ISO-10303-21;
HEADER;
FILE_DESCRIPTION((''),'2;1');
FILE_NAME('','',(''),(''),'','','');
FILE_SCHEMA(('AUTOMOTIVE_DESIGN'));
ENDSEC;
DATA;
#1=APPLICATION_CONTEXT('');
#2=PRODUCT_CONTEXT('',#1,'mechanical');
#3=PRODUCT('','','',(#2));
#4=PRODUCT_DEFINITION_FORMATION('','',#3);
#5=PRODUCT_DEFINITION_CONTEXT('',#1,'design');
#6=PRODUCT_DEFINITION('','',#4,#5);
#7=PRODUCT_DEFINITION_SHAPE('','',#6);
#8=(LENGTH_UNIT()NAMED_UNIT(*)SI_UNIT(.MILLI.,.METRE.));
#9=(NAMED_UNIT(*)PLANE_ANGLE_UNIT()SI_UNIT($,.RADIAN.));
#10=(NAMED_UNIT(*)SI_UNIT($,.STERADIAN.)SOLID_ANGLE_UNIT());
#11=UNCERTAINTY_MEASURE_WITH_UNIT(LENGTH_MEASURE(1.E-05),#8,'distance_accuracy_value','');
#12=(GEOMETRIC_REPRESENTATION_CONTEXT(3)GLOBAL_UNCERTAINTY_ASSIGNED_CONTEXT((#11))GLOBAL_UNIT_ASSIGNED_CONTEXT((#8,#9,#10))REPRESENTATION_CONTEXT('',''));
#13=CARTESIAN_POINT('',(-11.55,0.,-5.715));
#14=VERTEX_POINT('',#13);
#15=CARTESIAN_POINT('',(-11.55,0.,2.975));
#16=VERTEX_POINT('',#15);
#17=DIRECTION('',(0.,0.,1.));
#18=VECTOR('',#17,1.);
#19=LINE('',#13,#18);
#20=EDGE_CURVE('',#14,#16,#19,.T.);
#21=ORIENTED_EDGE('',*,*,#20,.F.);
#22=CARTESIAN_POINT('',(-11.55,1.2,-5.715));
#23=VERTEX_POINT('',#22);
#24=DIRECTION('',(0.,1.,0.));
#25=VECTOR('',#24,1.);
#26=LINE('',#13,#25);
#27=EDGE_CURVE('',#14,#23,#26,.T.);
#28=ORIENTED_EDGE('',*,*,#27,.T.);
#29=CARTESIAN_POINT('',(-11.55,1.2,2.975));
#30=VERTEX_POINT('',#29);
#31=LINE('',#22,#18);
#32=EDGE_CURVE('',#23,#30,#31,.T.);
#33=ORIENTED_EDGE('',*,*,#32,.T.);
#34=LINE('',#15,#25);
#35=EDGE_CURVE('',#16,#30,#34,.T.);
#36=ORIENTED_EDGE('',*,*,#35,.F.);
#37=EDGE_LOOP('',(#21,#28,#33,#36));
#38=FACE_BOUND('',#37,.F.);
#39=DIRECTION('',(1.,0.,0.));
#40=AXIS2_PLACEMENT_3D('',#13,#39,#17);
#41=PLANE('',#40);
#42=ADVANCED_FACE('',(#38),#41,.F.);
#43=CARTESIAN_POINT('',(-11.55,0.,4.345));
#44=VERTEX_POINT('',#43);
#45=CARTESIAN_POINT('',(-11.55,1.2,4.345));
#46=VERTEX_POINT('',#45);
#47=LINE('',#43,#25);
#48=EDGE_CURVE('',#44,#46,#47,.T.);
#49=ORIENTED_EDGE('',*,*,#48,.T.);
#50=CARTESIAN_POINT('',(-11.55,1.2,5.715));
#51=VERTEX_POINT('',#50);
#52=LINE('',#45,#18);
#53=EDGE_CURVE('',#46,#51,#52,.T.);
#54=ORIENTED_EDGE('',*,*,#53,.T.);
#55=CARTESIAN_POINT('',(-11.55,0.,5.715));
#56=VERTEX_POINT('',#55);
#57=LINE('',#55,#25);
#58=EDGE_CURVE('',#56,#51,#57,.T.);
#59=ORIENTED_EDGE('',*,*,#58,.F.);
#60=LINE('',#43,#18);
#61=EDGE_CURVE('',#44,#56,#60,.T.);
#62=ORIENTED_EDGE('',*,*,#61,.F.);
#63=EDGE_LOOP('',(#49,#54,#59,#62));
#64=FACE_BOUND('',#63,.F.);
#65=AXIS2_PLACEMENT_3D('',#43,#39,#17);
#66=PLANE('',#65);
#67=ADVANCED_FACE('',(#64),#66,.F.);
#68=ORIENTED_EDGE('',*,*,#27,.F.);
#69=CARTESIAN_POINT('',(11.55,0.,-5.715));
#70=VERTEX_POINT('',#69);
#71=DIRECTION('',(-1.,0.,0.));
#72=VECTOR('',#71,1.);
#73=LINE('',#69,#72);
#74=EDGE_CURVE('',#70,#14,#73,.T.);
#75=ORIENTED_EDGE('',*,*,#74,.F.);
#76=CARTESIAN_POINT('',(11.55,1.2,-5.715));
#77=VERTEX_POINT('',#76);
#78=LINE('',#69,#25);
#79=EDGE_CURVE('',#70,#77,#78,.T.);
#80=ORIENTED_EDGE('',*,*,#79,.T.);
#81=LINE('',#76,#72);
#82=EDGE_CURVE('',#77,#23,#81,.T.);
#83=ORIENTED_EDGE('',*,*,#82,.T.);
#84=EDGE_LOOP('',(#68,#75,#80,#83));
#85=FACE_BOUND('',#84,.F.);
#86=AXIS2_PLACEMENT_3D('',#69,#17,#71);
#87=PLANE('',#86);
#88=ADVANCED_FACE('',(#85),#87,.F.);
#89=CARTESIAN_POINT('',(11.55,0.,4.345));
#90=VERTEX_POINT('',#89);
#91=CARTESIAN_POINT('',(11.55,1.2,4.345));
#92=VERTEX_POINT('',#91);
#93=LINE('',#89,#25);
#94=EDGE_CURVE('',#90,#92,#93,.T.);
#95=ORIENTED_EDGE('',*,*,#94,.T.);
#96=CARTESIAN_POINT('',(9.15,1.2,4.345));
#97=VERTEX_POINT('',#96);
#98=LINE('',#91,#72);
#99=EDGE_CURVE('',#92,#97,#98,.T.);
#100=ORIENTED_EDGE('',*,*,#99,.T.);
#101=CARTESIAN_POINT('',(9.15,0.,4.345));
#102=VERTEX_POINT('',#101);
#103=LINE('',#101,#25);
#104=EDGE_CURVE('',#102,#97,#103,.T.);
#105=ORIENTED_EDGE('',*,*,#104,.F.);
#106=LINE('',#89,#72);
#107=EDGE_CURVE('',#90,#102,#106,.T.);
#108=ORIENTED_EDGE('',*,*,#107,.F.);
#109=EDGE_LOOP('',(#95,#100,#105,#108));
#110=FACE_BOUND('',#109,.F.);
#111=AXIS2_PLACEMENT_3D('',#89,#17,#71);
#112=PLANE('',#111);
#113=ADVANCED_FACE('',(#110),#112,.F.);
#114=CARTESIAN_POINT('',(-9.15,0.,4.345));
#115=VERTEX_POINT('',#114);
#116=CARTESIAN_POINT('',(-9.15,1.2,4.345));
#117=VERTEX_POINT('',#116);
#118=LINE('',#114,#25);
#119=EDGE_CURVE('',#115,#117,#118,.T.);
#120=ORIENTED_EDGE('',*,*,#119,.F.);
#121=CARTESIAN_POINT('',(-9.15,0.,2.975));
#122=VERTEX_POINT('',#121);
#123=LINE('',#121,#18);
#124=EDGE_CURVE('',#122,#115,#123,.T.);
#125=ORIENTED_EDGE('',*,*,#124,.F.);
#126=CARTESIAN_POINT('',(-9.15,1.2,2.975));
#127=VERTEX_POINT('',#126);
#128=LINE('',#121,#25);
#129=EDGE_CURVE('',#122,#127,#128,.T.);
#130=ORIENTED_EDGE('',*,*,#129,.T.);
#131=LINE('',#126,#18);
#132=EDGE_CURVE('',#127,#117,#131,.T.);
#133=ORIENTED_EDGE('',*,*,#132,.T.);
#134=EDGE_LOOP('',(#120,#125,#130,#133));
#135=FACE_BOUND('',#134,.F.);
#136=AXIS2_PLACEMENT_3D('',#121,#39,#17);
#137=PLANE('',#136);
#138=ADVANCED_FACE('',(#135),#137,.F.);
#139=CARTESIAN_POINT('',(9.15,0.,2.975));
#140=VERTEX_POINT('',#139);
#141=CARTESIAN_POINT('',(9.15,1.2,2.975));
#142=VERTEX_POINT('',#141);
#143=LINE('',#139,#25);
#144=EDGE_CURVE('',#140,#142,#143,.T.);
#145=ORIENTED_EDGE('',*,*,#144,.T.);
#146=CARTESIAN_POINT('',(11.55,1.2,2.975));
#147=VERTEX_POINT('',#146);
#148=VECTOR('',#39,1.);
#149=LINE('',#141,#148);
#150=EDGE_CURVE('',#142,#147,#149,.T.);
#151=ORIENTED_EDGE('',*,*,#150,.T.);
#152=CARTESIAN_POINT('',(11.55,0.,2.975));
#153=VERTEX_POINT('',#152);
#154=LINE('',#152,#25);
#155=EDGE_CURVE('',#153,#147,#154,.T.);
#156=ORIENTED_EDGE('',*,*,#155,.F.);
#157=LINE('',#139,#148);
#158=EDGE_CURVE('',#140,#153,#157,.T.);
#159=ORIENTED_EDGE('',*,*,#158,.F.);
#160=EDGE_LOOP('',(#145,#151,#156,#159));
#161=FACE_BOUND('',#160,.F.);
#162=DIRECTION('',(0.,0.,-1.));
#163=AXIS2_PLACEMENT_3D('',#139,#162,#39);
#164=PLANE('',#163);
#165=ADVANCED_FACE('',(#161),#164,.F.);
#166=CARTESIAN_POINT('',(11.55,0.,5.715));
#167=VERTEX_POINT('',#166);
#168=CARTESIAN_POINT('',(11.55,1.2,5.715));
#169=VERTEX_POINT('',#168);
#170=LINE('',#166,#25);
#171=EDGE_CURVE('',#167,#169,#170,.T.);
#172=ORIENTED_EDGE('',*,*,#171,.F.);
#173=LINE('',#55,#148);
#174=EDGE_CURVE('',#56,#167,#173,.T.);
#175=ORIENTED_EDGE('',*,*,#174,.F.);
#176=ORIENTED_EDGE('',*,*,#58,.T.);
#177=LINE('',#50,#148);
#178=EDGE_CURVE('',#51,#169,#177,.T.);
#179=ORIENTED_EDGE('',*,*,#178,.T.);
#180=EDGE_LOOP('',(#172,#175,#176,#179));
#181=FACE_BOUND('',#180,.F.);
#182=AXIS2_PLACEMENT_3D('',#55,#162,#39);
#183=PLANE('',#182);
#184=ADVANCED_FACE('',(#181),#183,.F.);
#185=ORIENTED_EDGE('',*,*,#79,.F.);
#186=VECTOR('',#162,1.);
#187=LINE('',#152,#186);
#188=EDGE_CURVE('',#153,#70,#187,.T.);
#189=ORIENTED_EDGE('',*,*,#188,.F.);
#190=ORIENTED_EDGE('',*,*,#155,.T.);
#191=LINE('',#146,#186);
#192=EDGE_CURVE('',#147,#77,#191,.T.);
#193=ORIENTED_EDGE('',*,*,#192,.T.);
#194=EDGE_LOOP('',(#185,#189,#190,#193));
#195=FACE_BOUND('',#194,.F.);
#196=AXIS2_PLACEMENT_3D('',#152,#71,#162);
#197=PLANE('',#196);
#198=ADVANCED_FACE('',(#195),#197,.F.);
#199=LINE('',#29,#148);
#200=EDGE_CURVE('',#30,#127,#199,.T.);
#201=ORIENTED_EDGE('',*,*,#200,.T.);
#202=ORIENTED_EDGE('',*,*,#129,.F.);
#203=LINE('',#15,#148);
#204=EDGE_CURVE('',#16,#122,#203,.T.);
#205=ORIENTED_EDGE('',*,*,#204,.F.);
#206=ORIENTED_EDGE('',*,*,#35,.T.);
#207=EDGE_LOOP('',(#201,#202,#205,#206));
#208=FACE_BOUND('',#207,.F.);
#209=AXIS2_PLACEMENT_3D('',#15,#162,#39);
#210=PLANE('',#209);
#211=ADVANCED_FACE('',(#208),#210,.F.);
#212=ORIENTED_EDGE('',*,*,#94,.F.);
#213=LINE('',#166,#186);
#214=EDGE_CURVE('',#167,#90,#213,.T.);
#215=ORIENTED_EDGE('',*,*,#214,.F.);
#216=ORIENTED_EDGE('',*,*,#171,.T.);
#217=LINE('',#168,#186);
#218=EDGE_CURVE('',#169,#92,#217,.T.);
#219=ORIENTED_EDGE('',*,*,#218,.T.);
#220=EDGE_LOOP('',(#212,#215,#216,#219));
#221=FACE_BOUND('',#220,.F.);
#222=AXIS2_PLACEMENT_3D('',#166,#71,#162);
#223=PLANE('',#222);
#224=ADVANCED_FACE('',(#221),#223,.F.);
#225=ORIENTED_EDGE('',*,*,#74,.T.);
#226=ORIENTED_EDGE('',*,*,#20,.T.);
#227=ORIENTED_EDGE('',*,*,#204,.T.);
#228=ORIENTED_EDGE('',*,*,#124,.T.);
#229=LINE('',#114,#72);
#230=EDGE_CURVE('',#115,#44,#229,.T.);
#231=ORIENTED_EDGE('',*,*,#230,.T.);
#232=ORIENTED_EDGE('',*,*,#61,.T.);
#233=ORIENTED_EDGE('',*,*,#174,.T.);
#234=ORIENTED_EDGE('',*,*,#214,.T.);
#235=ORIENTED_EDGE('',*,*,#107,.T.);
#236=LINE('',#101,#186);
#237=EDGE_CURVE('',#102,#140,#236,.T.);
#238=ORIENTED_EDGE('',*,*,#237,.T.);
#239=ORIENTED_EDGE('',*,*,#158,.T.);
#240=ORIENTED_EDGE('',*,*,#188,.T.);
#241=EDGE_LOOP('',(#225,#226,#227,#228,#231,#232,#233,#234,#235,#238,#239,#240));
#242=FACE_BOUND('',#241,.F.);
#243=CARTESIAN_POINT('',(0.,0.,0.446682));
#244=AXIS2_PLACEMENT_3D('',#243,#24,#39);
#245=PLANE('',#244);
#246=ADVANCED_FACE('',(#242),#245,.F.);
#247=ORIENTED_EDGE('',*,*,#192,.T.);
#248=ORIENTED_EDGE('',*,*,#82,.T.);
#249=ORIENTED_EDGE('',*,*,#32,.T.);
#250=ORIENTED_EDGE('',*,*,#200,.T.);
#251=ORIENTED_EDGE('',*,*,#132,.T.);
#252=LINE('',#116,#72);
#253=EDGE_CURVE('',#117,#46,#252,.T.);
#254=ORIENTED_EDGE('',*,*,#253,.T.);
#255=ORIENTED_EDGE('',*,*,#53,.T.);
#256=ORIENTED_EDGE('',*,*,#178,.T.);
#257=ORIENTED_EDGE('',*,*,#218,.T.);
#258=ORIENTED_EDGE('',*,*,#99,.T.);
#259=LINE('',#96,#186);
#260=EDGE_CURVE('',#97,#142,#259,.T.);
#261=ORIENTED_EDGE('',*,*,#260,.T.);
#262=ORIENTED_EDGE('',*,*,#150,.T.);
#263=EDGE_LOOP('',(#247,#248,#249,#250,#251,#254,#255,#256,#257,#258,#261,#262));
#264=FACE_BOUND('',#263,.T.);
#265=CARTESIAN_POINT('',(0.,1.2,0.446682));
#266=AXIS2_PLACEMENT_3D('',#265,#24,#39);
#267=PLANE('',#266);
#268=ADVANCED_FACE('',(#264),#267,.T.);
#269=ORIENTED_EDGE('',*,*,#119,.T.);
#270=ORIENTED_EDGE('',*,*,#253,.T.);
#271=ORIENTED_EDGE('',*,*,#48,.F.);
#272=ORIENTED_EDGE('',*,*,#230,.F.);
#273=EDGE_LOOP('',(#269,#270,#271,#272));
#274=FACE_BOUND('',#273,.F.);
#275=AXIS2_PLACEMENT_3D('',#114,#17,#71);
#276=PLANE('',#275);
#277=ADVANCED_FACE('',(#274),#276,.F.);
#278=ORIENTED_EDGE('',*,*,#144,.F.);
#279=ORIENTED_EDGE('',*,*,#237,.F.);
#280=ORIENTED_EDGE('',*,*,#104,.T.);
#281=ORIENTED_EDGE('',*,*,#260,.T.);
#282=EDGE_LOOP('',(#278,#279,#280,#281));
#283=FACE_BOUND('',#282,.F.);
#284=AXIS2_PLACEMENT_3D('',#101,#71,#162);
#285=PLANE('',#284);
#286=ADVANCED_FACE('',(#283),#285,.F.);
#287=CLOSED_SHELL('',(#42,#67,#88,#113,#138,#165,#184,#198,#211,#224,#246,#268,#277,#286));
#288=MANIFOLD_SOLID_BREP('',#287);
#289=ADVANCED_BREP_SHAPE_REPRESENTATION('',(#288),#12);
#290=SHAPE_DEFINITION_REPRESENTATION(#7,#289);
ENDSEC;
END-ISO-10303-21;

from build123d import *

# Parameters (mm, degrees)
BOSS_EXTRUDE1_DEPTH = 1.2


with BuildPart() as part:
    # Sketch1 → Boss-Extrude1 (new body)
    with BuildSketch(Plane(origin=(0, 0, 0), x_dir=(1, 0, 0), z_dir=(0, 1, 0))):
        Polygon((11.55, 5.715), (-11.55, 5.715), (-11.55, -2.975), (-9.15, -2.975), (-9.15, -4.345), (-11.55, -4.345), (-11.55, -5.715), (11.55, -5.715), (11.55, -4.345), (9.15, -4.345), (9.15, -2.975), (11.55, -2.975), align=None)
    extrude(amount=BOSS_EXTRUDE1_DEPTH)


solid = part.part
